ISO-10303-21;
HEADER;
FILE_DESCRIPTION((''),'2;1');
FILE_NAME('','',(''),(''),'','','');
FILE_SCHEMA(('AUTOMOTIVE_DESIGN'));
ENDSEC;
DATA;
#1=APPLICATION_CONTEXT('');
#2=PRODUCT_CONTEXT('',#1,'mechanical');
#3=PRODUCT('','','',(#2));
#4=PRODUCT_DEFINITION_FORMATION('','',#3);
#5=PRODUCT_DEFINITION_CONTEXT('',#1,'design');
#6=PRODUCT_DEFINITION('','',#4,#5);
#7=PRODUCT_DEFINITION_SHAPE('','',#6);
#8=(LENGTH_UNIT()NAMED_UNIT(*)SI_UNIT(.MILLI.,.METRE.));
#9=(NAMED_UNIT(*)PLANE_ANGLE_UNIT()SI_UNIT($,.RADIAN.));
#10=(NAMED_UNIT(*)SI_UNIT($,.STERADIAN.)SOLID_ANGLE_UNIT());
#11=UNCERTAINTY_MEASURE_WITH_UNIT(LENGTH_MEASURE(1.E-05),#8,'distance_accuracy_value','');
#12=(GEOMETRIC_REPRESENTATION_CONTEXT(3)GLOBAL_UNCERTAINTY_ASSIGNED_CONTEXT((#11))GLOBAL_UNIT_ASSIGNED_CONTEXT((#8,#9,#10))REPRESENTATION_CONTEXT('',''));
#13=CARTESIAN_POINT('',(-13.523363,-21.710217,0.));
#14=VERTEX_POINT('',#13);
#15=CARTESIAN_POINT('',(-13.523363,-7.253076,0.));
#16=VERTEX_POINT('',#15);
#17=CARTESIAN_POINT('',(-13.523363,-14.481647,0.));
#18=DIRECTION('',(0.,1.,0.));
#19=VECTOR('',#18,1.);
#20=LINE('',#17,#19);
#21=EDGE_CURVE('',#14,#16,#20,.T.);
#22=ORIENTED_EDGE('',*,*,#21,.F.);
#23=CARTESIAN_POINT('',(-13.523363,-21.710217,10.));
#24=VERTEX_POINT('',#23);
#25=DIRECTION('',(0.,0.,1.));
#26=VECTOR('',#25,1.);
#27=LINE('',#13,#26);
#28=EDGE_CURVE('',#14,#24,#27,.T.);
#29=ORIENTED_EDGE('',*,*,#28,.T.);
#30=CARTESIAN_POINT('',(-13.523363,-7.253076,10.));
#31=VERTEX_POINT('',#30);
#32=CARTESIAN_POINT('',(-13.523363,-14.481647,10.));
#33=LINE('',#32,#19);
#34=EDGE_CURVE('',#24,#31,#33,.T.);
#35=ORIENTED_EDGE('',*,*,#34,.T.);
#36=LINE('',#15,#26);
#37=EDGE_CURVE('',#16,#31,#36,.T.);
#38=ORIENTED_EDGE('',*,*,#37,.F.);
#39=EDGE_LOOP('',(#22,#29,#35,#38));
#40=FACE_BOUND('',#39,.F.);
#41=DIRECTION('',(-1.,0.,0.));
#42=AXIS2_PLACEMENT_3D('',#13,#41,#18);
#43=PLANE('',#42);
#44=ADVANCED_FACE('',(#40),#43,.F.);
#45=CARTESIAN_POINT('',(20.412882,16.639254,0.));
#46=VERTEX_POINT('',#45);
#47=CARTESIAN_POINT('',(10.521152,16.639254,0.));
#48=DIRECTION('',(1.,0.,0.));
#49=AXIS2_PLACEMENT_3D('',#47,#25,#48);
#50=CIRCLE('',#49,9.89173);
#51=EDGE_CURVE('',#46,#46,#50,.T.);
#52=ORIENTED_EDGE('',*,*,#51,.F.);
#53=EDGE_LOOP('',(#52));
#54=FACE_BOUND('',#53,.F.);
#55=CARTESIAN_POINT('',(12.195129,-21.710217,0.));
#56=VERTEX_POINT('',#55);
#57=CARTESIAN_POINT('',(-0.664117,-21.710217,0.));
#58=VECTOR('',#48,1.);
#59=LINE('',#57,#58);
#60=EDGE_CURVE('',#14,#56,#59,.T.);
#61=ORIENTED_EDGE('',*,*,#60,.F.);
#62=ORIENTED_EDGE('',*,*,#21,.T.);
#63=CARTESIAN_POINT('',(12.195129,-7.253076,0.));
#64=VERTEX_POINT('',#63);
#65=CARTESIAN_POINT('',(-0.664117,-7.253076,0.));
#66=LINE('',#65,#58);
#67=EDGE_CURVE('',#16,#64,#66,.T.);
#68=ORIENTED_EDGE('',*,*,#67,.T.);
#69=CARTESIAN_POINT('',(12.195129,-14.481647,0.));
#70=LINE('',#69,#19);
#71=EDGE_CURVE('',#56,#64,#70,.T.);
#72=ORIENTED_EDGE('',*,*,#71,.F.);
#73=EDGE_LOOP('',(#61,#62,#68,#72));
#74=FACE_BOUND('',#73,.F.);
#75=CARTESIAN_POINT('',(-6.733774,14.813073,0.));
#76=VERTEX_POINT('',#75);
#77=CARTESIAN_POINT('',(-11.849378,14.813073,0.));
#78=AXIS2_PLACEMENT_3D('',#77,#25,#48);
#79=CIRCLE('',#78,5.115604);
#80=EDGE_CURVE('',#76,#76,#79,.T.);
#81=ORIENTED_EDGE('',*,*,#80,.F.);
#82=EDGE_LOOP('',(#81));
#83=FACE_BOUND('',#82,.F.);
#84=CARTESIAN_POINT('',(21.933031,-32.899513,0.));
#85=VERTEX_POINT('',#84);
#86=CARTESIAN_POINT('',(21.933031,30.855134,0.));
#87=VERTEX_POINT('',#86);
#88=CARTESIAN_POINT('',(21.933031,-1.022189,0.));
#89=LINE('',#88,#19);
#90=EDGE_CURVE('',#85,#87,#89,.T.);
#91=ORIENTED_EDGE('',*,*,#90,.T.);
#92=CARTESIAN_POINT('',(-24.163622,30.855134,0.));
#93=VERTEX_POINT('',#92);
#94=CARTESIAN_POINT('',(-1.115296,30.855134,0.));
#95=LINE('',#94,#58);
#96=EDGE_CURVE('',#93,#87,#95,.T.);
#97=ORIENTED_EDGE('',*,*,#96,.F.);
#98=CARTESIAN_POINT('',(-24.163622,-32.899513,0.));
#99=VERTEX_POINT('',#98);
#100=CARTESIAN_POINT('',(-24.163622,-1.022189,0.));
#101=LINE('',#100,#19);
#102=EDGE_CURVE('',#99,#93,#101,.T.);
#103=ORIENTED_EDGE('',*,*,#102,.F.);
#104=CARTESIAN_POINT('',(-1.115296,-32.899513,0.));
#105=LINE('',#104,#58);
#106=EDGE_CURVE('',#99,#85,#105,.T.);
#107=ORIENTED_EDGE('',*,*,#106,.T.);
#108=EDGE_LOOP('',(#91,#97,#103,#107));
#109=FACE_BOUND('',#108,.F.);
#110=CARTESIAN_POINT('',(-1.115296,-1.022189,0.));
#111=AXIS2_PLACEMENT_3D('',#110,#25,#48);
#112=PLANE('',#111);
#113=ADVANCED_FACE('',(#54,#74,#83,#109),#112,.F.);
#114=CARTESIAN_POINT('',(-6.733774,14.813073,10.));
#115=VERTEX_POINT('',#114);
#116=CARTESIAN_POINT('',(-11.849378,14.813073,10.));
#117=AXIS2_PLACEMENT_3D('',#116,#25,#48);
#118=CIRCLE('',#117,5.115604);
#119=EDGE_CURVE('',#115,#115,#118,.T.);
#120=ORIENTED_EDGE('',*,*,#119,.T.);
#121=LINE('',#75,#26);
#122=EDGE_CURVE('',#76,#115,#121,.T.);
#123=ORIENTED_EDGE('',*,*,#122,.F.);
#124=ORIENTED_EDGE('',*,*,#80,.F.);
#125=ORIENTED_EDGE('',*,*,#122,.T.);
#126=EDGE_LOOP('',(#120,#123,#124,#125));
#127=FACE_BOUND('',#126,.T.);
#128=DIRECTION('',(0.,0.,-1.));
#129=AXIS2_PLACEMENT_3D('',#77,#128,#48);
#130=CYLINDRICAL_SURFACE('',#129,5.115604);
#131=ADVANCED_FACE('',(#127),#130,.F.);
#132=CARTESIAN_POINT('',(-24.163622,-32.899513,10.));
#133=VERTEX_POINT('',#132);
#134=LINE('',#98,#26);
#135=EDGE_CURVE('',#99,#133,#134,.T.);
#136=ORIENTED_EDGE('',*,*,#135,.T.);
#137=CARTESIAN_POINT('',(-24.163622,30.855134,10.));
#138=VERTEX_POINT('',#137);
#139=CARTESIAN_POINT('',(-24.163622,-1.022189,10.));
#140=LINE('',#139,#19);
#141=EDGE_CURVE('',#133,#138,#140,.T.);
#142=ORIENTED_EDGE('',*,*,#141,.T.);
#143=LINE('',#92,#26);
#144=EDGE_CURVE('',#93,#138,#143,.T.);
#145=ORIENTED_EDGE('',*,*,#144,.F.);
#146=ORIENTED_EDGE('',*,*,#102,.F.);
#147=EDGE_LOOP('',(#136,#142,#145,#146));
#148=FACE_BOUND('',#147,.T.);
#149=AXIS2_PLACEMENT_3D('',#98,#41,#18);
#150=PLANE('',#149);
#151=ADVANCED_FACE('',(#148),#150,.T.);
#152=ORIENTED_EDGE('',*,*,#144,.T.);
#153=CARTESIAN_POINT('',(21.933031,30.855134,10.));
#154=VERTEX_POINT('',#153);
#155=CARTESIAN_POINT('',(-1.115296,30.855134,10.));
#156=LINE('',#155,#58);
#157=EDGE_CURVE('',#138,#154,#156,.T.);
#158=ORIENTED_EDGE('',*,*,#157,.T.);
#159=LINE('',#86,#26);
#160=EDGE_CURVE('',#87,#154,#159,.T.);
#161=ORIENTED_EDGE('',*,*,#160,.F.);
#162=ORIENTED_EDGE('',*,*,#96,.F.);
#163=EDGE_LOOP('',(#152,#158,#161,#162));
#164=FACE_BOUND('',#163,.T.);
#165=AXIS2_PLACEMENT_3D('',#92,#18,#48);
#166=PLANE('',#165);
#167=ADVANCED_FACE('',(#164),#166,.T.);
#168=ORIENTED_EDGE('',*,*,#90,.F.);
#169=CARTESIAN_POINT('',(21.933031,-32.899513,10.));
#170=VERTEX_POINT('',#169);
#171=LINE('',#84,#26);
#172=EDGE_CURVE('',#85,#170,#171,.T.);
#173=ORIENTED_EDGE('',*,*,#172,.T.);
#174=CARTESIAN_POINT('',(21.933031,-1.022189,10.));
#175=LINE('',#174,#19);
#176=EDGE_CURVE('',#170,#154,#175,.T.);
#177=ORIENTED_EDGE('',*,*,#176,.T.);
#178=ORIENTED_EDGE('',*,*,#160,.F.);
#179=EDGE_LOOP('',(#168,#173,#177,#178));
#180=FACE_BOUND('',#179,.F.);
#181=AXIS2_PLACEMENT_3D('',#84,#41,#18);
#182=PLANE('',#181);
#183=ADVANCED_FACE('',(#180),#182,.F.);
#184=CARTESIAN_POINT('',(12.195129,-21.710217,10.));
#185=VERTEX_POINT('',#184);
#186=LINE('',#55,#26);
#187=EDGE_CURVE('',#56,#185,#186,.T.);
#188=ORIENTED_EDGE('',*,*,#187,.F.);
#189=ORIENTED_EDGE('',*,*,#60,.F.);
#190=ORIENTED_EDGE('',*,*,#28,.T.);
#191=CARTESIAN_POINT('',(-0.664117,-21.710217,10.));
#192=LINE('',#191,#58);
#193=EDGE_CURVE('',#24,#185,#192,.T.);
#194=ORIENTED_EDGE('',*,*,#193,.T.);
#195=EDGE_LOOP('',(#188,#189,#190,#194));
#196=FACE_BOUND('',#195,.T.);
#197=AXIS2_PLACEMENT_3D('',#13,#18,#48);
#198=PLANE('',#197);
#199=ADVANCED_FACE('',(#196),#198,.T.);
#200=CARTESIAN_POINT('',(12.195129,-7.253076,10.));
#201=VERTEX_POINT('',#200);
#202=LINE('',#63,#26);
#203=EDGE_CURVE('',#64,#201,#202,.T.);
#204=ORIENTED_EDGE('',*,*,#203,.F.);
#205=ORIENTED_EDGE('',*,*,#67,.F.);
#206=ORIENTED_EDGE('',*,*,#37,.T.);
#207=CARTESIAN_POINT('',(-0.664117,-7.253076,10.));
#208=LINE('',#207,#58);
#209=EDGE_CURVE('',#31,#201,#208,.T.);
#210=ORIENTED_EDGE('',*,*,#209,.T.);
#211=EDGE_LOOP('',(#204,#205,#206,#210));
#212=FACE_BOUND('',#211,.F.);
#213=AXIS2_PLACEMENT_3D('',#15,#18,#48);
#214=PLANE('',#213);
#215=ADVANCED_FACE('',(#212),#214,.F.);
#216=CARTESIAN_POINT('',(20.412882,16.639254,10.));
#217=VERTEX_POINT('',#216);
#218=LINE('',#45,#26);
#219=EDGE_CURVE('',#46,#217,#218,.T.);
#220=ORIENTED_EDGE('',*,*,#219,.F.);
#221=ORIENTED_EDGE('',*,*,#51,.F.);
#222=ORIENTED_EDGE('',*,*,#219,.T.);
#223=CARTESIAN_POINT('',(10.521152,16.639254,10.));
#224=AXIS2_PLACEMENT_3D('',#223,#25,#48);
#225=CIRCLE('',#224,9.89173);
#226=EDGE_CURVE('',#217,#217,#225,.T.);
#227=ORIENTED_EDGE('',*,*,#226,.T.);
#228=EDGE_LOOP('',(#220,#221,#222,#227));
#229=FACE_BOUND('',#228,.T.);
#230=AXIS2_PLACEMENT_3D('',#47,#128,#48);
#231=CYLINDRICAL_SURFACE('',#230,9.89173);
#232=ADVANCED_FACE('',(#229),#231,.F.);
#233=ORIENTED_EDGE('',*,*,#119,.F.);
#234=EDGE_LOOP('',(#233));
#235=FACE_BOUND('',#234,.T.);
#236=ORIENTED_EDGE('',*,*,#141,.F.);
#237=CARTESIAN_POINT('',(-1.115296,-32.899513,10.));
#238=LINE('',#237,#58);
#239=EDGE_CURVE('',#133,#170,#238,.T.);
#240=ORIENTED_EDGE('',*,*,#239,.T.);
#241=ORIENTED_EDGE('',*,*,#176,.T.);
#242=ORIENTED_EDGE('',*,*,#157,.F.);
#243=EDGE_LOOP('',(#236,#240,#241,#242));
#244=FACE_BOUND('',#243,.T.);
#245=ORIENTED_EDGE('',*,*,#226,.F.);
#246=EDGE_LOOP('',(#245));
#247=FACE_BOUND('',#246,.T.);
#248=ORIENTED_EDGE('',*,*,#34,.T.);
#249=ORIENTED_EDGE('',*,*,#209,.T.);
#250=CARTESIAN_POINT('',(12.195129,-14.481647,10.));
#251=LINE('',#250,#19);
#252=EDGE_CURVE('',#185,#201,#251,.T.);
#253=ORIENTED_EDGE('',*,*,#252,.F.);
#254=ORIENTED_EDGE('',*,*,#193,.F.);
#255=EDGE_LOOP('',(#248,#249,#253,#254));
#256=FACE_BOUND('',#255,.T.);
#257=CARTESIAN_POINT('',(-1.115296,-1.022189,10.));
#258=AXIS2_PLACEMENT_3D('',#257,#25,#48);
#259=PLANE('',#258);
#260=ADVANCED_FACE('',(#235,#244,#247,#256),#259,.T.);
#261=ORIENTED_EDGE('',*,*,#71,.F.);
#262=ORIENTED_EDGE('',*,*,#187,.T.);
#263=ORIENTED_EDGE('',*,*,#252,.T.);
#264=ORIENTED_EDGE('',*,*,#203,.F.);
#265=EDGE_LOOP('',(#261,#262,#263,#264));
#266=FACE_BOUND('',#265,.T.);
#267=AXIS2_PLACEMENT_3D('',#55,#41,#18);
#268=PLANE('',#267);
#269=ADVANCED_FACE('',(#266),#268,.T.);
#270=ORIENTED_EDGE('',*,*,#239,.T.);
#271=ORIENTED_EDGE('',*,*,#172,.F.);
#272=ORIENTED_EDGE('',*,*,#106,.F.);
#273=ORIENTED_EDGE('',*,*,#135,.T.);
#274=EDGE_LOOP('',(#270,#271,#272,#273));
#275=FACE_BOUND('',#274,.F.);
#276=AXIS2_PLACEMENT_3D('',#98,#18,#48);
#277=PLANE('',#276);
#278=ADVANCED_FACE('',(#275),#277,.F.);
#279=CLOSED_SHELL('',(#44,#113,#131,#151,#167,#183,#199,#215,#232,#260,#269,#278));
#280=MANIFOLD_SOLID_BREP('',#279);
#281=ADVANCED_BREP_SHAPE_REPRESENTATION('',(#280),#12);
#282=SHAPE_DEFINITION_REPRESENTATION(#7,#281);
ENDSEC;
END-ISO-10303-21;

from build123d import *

# Parameters (mm, degrees)
SKETCH_W      = 46.096653
SKETCH_H      = 63.754647
SKETCH_R      = 5.115604
SKETCH_R_2    = 9.89173
SKETCH_W_2    = 25.718492
SKETCH_H_2    = 14.457141
EXTRUDE_DEPTH = 10


with BuildPart() as part:
    # Sketch → Extrude (new body)
    with BuildSketch(Plane.XY):
        with Locations((-1.115296, -1.022189)):
            Rectangle(SKETCH_W, SKETCH_H)
        with Locations((-11.849378, 14.813073)):
            Circle(SKETCH_R, mode=Mode.SUBTRACT)
        with Locations((10.521152, 16.639254)):
            Circle(SKETCH_R_2, mode=Mode.SUBTRACT)
        with Locations((-0.664117, -14.481647)):
            Rectangle(SKETCH_W_2, SKETCH_H_2, mode=Mode.SUBTRACT)
    extrude(amount=EXTRUDE_DEPTH)


solid = part.part
